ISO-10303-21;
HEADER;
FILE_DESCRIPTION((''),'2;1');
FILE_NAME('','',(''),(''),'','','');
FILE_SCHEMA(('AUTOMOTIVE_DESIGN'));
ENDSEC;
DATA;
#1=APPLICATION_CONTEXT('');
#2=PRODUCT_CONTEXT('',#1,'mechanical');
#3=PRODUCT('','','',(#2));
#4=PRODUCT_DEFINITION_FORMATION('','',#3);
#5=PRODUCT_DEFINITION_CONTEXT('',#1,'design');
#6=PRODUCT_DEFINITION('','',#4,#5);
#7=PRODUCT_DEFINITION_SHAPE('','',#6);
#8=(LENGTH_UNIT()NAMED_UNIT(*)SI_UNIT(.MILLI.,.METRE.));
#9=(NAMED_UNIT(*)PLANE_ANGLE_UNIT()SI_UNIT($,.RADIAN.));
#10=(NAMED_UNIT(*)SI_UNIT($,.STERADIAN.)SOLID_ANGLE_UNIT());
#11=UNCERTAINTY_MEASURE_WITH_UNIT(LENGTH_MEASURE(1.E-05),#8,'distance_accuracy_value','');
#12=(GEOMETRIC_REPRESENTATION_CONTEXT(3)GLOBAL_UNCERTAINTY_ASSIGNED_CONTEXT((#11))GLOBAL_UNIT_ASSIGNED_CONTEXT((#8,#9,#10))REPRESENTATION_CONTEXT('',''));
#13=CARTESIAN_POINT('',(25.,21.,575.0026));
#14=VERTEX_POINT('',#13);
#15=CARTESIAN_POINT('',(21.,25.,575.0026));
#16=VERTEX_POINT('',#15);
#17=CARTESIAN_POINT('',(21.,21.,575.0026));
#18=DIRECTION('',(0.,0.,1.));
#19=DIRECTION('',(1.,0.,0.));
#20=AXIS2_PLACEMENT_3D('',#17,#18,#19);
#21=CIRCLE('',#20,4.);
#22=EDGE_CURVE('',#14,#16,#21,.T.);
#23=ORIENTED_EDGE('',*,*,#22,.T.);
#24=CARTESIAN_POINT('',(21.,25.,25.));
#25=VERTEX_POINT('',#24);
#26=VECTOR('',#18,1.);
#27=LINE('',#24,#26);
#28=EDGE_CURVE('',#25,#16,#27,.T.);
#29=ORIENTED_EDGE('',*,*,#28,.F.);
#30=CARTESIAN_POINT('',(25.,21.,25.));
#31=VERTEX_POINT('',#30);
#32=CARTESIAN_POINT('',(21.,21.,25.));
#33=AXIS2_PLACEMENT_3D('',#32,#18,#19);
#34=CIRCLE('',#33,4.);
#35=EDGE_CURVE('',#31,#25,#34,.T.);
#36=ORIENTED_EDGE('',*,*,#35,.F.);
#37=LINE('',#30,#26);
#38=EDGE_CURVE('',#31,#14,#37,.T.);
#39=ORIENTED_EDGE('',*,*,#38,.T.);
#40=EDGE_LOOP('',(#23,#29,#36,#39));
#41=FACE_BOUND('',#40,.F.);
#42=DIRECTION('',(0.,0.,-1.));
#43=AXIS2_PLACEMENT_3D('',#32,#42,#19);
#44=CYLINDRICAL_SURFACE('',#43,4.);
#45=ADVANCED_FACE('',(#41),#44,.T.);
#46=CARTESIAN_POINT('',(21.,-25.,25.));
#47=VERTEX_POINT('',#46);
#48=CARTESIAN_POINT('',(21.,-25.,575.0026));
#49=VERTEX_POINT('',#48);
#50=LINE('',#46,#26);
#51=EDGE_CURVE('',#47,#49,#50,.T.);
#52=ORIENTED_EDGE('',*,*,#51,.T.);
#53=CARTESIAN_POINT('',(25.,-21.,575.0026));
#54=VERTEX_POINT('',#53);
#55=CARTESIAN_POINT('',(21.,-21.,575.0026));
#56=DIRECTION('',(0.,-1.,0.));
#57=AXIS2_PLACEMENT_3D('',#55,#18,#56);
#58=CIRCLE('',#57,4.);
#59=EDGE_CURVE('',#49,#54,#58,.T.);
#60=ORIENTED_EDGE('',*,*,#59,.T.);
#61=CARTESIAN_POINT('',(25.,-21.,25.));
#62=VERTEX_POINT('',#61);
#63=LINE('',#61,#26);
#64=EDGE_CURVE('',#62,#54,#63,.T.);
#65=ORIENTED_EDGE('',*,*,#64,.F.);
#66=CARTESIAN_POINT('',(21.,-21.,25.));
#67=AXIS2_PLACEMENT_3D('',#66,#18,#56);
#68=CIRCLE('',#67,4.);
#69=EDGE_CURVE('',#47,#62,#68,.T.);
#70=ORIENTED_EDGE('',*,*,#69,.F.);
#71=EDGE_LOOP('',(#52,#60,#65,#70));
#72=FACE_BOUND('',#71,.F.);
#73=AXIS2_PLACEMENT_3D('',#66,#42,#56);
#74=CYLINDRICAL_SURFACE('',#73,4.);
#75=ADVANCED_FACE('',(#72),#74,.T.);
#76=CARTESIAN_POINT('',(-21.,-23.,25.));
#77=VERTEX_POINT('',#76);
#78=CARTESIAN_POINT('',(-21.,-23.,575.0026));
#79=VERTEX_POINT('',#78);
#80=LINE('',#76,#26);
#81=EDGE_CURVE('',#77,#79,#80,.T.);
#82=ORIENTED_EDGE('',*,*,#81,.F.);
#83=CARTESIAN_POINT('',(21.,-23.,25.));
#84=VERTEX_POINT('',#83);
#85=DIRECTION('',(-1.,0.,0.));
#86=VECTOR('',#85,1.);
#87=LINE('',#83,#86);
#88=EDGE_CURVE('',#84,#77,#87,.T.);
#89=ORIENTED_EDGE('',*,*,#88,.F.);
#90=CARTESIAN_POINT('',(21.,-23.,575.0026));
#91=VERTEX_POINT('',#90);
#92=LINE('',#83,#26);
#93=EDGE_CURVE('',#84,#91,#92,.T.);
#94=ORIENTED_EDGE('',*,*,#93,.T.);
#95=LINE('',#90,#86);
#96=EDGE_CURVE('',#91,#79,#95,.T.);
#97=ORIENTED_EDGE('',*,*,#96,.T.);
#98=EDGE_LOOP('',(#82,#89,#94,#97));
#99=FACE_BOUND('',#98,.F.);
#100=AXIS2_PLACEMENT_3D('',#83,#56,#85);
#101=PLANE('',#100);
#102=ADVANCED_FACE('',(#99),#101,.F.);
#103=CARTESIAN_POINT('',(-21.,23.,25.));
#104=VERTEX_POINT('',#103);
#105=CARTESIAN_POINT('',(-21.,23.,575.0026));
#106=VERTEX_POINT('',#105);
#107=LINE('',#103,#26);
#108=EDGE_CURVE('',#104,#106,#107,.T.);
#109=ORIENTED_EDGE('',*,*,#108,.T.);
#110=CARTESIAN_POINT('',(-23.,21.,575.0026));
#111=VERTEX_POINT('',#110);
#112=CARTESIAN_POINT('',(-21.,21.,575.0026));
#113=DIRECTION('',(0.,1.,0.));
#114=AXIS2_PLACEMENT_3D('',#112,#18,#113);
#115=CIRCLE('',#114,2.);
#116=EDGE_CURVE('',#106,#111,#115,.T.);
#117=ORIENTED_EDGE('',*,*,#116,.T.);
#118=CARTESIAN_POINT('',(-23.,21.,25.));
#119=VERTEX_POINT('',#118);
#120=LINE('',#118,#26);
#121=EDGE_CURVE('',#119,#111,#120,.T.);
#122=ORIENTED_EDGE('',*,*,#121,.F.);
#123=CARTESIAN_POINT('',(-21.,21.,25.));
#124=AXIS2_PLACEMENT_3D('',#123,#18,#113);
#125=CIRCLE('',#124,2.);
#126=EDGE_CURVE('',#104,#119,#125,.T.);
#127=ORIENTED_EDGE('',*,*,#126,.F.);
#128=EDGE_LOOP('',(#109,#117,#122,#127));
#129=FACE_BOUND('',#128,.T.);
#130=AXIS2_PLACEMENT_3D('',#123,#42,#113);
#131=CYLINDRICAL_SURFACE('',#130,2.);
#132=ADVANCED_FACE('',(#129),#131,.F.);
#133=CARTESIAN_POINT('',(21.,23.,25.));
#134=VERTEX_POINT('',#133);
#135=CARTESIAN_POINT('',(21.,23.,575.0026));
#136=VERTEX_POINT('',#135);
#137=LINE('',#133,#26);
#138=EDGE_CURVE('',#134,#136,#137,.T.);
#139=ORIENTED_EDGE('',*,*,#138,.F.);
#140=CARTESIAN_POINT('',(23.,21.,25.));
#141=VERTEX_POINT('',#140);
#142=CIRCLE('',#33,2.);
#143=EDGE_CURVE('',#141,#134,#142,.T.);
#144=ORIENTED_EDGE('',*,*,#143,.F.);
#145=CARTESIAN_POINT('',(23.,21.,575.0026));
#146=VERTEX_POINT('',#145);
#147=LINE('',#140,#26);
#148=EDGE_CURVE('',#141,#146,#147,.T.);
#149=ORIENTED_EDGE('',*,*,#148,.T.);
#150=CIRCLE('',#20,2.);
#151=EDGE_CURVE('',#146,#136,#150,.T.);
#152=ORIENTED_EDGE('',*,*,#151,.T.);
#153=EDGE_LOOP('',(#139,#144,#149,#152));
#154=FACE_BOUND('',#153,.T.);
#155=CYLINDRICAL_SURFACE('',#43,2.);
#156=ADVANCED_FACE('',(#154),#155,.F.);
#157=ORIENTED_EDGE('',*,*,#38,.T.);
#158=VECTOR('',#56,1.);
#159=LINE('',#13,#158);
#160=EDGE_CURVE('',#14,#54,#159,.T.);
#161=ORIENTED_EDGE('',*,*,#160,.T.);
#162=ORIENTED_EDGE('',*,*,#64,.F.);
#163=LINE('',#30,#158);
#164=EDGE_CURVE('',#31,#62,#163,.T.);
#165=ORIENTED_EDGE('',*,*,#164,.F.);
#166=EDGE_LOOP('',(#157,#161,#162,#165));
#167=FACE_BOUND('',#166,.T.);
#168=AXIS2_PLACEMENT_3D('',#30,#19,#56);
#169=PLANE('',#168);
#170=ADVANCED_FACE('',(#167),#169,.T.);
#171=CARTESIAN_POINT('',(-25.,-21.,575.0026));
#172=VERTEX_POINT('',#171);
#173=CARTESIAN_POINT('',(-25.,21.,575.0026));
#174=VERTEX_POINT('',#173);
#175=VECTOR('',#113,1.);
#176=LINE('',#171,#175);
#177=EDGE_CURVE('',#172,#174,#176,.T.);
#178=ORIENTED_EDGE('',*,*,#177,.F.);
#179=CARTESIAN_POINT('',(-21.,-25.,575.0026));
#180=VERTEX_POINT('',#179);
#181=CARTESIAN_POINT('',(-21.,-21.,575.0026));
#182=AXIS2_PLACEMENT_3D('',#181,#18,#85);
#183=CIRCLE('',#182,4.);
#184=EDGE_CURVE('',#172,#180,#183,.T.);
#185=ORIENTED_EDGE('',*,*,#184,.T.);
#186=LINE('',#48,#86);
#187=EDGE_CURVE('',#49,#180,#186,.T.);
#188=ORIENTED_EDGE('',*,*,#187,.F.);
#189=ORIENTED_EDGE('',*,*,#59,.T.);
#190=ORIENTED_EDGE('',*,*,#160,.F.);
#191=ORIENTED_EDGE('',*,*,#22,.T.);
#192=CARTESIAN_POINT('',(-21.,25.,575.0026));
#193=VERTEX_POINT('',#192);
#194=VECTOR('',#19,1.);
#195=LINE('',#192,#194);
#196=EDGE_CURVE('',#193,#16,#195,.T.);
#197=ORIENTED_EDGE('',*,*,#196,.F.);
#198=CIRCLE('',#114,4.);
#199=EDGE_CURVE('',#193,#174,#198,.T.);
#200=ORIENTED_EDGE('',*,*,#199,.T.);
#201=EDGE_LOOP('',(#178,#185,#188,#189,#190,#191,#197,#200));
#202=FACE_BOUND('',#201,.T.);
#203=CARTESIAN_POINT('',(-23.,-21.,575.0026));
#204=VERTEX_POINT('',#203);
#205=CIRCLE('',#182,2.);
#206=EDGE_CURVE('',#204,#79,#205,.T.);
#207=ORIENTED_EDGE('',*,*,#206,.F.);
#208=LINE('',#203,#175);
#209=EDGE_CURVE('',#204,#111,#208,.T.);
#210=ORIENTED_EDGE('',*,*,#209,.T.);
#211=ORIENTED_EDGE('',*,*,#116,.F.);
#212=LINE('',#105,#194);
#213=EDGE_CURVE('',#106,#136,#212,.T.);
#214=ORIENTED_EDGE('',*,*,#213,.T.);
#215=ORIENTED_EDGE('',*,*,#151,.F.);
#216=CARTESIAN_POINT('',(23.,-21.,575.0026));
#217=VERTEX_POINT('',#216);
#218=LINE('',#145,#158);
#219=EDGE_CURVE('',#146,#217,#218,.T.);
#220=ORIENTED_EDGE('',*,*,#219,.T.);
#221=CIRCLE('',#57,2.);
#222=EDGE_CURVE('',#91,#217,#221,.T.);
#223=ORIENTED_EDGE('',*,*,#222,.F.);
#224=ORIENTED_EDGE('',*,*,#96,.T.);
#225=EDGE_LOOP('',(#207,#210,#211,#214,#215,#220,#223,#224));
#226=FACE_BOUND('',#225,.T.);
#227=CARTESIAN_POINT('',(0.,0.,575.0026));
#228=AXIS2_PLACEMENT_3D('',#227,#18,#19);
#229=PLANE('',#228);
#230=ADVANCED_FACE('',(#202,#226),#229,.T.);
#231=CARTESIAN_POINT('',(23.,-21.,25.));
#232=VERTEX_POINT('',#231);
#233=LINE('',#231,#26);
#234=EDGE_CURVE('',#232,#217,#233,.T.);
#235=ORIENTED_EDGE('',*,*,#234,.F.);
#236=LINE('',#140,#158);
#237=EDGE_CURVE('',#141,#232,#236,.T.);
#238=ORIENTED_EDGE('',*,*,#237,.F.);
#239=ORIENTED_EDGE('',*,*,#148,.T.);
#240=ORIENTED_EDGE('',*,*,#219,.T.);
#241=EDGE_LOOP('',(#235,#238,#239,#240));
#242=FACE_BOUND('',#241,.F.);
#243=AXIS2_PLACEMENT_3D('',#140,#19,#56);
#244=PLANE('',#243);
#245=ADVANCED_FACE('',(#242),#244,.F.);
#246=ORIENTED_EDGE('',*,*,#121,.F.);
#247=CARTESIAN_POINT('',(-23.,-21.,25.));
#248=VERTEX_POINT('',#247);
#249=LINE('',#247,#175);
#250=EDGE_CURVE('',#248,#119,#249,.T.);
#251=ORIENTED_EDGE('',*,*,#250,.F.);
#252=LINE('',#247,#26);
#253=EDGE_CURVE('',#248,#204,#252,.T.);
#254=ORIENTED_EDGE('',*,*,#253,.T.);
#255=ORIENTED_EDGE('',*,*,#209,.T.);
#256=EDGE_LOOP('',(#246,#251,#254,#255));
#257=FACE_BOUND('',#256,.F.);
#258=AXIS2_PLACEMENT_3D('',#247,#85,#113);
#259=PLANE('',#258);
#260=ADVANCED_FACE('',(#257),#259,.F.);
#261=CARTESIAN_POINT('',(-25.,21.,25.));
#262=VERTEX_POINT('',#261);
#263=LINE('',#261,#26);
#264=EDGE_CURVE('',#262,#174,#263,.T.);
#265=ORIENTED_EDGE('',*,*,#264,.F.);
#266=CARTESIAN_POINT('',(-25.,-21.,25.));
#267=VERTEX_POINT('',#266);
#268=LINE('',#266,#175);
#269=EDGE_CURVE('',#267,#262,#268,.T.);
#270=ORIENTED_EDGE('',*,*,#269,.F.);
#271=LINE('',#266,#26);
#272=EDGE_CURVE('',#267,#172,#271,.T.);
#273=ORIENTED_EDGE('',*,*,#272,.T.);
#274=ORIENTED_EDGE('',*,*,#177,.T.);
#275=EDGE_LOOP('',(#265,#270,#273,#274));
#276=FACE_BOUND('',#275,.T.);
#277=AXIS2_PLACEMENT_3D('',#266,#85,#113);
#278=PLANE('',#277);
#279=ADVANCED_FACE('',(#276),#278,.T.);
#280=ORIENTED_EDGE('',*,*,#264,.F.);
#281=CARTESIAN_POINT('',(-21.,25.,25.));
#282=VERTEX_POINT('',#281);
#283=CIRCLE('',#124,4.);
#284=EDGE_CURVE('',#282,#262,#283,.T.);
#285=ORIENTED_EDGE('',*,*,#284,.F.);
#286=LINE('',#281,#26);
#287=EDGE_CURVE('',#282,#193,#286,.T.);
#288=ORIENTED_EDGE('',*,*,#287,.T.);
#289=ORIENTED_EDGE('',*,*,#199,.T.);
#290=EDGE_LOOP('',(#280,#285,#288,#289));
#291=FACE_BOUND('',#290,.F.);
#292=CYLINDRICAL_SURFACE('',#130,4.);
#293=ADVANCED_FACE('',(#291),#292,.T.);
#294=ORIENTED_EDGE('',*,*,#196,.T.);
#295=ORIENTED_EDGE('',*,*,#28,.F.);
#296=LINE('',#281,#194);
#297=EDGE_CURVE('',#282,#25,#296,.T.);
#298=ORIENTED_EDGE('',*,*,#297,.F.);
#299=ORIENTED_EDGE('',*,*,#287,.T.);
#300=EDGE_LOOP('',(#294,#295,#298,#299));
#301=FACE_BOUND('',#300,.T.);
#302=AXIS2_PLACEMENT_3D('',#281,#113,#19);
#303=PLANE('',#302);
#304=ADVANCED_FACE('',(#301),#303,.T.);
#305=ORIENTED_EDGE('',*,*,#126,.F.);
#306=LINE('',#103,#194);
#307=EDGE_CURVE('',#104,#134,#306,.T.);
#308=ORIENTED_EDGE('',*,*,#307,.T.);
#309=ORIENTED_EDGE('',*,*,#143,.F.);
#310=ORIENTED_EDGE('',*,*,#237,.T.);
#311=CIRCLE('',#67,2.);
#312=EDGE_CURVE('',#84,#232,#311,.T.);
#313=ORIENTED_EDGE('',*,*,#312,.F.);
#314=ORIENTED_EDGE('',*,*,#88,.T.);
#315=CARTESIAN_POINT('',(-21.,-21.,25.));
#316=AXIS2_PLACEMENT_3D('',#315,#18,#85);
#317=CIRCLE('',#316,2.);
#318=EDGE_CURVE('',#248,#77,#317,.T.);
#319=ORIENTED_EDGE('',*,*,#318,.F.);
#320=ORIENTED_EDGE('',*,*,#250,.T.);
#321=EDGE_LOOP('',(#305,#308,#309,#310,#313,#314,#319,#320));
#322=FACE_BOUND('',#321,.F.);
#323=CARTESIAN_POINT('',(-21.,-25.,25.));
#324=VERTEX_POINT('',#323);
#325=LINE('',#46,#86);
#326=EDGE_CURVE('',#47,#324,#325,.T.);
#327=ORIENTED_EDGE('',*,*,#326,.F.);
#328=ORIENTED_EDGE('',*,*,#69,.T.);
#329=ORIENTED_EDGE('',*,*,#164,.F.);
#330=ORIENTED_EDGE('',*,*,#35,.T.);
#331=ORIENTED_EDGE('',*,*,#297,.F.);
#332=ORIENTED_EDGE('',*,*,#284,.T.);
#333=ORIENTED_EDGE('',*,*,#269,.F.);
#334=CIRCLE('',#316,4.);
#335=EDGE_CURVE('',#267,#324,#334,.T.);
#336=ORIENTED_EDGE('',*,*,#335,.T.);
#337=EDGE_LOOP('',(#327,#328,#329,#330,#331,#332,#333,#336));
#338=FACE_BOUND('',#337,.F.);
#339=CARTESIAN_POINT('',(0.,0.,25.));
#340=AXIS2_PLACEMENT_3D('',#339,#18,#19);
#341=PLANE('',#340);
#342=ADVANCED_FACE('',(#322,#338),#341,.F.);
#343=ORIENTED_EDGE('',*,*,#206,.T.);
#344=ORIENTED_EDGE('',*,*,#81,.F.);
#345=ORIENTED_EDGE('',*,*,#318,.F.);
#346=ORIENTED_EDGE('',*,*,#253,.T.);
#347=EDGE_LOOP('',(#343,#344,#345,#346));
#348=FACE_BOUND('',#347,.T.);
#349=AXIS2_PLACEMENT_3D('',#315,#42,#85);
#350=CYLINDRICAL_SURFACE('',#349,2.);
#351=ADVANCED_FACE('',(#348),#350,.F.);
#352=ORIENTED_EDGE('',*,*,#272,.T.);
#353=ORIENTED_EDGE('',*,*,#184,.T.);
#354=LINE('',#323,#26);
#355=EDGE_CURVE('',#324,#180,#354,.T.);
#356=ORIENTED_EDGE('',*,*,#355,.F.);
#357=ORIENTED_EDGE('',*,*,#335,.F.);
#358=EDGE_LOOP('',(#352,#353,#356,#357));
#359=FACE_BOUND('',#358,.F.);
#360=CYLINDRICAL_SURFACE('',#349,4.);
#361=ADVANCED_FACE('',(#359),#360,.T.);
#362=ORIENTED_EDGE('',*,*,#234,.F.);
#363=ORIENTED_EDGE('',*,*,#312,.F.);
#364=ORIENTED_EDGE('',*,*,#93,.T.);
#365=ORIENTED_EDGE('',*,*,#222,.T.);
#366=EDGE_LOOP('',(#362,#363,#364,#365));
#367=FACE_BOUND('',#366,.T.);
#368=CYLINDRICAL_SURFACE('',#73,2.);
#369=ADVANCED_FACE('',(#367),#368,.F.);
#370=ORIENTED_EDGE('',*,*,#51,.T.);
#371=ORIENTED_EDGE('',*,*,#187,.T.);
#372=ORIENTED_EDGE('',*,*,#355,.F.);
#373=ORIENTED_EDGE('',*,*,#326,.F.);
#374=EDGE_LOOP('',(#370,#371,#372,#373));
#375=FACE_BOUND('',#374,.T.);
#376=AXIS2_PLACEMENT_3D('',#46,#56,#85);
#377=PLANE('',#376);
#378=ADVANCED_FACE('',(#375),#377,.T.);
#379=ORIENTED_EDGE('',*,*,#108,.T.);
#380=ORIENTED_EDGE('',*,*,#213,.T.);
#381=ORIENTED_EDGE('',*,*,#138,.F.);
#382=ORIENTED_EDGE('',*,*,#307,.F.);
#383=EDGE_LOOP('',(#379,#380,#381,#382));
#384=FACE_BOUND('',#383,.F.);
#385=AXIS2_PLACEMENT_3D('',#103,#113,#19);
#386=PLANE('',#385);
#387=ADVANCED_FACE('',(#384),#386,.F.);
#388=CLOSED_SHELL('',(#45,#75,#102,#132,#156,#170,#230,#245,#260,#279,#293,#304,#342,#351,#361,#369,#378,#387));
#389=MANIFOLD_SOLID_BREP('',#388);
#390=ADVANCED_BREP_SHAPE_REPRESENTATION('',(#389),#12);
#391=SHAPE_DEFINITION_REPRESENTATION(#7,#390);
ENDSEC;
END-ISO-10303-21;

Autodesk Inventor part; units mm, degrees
ref_plane "Start Plane" through (0, 0, 25) normal (0, 0, 1) x (1, 0, 0)
ref_plane "End Plane" through (0, 0, 575.0026) normal (0, 0, 1) x (1, 0, 0)
sketch "Sketch" plane through (0, 0, 0) normal (0, 0, 1) x (1, 0, 0)
  line L0 (-25, -21) -> (-25, 21)
  line L1 (-21, 25) -> (21, 25)
  line L2 (25, 21) -> (25, -21)
  line L3 (21, -25) -> (-21, -25)
  arc A0 (-25, -21) -> (-21, -25) centre (-21, -21) ccw
  arc A1 (25, 21) -> (21, 25) centre (21, 21) ccw
  arc A2 (-21, 25) -> (-25, 21) centre (-21, 21) ccw
  arc A3 (21, -25) -> (25, -21) centre (21, -21) ccw
  arc A4 (-21, 23) -> (-23, 21) centre (-21, 21) ccw
  line L4 (-21, 23) -> (21, 23)
  arc A5 (23, 21) -> (21, 23) centre (21, 21) ccw
  line L5 (23, 21) -> (23, -21)
  arc A6 (21, -23) -> (23, -21) centre (21, -21) ccw
  line L6 (21, -23) -> (-21, -23)
  arc A7 (-23, -21) -> (-21, -23) centre (-21, -21) ccw
  line L7 (-23, -21) -> (-23, 21)
  line L8 (0, 36.1598) -> (0, -36.1598) construction
  line L9 (-36.1598, 0) -> (36.1598, 0) construction
  dimension "d7" = 4
  dimension "d9" = 50
  dimension "d11" = 50
  dimension "d12" = 2
  dimension "d15" = 25
  dimension "d16" = 25
extrude "Body" add sketch "Sketch" along normal up to surface (550.0026 mm away) from surface at 25
sketch "Sketch3" plane through (0, 0, 0) normal (0, 0, 1) x (1, 0, 0)
  line L0 (0, 0) -> (10, 0)
ref_plane "Work Plane3" through (0, 0, 0) normal (0, -1, 0) x (1, 0, 0)
sketch "Sketch4" plane through (0, 0, 0) normal (0, -1, 0) x (1, 0, 0)
  line L0 (-2, 25) -> (12, 25)
  line L1 (-2, 575.0026) -> (12, 575.0026)
  dimension "d18" = 550.0026
ref_plane "Work Plane4" through (-530, 21, 575.0026) normal (0, 0, 1) x (1, 0, 0)
split "Split1" plane through (-530, 21, 575.0026) removes the side toward (0, 0, 1)
ref_plane "Work Plane5" through (1782.5, 21, 25) normal (0, 0, -1) x (-1, 0, 0)
split "Split2" plane through (1782.5, 21, 25) removes the side toward (0, 0, -1)
equation "\"d7\" = G_IR"
equation "\"d9\" = G_W"
equation "\"d11\" = G_H"
equation "\"d12\" = G_T"
equation "\"d15\" = 0.5 * d9"
equation "\"d16\" = 0.5 * d11"
equation "\"d3\" = G_L"
equation "\"G_W\" = 50"
equation "\"G_H\" = 50"
equation "\"G_T\" = 2"
equation "\"G_IR\" = 4"
equation "\"G_L\" = d18"
equation "\"G_OFFSET_START\" = -25"
equation "\"G_OFFSET_END\" = -25"
equation "\"d13\" = -G_OFFSET_START"
equation "\"d14\" = G_OFFSET_END + B_L"
equation "\"B_L\" = 600.0026"
properties part number "ISO 10799-2 - 50x50x2 - 550"
